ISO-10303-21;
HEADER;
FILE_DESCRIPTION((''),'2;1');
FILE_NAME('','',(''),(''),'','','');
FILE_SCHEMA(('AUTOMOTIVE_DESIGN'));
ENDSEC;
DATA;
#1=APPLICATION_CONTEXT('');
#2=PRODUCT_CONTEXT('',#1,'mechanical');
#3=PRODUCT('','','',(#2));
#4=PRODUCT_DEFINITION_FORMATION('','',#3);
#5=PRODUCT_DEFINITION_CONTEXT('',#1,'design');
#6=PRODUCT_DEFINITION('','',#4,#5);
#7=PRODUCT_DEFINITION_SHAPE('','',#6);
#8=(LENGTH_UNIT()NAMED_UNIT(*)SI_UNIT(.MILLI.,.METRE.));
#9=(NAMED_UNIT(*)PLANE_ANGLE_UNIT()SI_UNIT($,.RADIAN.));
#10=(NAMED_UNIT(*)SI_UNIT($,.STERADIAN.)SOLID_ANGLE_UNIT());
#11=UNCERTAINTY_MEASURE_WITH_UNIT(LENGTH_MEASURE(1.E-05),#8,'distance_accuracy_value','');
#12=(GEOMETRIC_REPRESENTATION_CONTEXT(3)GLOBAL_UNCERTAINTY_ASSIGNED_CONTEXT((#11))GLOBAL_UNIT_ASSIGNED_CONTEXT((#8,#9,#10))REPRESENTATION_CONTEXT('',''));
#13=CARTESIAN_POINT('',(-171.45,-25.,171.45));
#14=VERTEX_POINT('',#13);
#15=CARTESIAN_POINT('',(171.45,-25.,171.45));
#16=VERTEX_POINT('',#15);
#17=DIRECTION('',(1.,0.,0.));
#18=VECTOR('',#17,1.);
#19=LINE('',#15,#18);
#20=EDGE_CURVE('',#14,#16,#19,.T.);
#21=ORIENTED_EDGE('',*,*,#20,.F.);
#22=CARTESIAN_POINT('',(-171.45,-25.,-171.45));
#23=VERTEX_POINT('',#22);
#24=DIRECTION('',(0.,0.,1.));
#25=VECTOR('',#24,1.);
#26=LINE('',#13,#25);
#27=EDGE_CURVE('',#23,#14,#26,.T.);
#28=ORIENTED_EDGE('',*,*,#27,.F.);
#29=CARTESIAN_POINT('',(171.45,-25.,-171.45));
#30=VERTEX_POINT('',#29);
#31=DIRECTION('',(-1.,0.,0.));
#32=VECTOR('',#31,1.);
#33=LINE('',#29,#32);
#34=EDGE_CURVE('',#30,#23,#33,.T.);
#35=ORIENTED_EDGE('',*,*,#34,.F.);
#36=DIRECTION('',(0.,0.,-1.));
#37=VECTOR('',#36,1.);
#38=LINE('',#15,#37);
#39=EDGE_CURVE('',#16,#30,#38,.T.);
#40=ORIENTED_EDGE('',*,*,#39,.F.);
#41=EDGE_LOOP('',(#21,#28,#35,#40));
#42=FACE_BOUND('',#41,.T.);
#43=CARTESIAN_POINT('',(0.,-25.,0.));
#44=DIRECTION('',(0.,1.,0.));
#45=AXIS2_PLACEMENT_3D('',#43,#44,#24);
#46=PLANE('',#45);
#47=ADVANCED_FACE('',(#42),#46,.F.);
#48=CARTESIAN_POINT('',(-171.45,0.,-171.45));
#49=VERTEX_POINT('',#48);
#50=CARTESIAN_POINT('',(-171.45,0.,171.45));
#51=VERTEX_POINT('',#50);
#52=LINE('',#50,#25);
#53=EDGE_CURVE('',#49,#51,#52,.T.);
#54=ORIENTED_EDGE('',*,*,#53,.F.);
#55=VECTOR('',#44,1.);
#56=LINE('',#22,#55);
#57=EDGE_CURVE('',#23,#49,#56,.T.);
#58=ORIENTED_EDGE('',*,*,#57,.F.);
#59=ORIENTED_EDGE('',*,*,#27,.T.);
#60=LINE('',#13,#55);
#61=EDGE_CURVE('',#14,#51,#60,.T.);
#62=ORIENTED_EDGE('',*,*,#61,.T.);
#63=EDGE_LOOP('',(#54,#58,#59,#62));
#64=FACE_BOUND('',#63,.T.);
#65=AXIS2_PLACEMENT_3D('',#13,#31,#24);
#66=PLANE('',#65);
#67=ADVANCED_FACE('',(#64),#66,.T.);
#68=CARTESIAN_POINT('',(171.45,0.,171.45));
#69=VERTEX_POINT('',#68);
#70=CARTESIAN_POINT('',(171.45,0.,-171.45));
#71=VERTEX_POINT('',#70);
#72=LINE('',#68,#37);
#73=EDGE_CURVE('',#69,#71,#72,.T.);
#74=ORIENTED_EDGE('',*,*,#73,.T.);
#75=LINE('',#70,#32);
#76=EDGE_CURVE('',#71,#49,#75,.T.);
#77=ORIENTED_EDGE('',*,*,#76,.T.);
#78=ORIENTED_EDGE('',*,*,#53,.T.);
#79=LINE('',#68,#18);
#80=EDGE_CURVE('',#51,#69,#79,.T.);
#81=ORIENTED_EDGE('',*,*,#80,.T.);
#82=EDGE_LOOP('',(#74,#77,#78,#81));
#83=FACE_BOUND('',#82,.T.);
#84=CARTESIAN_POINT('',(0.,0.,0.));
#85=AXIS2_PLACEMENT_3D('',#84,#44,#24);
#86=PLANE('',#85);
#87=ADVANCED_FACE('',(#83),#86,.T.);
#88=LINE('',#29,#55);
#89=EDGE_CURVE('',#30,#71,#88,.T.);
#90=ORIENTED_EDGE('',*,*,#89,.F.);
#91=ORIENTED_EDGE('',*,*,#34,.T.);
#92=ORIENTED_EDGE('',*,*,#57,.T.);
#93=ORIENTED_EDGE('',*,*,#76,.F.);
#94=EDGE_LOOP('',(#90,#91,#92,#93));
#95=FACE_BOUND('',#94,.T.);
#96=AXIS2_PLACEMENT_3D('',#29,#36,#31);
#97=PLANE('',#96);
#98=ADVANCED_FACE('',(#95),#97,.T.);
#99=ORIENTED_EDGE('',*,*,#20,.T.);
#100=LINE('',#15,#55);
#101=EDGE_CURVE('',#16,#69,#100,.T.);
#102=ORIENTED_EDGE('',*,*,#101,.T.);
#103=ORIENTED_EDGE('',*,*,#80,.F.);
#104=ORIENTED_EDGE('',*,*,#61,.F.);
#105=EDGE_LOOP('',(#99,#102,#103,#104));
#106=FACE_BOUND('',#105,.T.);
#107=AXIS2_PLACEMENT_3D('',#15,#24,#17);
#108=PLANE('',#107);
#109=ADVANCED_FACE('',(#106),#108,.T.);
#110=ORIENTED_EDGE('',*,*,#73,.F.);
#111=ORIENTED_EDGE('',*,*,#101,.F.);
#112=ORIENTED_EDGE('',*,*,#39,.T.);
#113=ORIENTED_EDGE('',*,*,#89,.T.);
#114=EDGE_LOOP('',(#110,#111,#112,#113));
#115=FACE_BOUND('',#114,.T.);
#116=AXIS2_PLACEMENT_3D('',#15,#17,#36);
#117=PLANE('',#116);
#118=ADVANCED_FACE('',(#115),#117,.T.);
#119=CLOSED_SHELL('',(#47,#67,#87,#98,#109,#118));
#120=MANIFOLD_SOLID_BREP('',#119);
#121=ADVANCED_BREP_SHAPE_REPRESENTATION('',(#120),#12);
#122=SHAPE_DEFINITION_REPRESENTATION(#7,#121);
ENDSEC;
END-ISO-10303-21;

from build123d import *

# Parameters (mm, degrees)
SKETCH1_W           = 342.9
SKETCH1_H           = 342.9
BOSS_EXTRUDE1_DEPTH = 25


with BuildPart() as part:
    # Sketch1 → Boss-Extrude1 (new body)
    with BuildSketch(Plane(origin=(0, 0, 0), x_dir=(1, 0, 0), z_dir=(0, 1, 0))):
        Rectangle(SKETCH1_W, SKETCH1_H)
    extrude(amount=-BOSS_EXTRUDE1_DEPTH)


solid = part.part
